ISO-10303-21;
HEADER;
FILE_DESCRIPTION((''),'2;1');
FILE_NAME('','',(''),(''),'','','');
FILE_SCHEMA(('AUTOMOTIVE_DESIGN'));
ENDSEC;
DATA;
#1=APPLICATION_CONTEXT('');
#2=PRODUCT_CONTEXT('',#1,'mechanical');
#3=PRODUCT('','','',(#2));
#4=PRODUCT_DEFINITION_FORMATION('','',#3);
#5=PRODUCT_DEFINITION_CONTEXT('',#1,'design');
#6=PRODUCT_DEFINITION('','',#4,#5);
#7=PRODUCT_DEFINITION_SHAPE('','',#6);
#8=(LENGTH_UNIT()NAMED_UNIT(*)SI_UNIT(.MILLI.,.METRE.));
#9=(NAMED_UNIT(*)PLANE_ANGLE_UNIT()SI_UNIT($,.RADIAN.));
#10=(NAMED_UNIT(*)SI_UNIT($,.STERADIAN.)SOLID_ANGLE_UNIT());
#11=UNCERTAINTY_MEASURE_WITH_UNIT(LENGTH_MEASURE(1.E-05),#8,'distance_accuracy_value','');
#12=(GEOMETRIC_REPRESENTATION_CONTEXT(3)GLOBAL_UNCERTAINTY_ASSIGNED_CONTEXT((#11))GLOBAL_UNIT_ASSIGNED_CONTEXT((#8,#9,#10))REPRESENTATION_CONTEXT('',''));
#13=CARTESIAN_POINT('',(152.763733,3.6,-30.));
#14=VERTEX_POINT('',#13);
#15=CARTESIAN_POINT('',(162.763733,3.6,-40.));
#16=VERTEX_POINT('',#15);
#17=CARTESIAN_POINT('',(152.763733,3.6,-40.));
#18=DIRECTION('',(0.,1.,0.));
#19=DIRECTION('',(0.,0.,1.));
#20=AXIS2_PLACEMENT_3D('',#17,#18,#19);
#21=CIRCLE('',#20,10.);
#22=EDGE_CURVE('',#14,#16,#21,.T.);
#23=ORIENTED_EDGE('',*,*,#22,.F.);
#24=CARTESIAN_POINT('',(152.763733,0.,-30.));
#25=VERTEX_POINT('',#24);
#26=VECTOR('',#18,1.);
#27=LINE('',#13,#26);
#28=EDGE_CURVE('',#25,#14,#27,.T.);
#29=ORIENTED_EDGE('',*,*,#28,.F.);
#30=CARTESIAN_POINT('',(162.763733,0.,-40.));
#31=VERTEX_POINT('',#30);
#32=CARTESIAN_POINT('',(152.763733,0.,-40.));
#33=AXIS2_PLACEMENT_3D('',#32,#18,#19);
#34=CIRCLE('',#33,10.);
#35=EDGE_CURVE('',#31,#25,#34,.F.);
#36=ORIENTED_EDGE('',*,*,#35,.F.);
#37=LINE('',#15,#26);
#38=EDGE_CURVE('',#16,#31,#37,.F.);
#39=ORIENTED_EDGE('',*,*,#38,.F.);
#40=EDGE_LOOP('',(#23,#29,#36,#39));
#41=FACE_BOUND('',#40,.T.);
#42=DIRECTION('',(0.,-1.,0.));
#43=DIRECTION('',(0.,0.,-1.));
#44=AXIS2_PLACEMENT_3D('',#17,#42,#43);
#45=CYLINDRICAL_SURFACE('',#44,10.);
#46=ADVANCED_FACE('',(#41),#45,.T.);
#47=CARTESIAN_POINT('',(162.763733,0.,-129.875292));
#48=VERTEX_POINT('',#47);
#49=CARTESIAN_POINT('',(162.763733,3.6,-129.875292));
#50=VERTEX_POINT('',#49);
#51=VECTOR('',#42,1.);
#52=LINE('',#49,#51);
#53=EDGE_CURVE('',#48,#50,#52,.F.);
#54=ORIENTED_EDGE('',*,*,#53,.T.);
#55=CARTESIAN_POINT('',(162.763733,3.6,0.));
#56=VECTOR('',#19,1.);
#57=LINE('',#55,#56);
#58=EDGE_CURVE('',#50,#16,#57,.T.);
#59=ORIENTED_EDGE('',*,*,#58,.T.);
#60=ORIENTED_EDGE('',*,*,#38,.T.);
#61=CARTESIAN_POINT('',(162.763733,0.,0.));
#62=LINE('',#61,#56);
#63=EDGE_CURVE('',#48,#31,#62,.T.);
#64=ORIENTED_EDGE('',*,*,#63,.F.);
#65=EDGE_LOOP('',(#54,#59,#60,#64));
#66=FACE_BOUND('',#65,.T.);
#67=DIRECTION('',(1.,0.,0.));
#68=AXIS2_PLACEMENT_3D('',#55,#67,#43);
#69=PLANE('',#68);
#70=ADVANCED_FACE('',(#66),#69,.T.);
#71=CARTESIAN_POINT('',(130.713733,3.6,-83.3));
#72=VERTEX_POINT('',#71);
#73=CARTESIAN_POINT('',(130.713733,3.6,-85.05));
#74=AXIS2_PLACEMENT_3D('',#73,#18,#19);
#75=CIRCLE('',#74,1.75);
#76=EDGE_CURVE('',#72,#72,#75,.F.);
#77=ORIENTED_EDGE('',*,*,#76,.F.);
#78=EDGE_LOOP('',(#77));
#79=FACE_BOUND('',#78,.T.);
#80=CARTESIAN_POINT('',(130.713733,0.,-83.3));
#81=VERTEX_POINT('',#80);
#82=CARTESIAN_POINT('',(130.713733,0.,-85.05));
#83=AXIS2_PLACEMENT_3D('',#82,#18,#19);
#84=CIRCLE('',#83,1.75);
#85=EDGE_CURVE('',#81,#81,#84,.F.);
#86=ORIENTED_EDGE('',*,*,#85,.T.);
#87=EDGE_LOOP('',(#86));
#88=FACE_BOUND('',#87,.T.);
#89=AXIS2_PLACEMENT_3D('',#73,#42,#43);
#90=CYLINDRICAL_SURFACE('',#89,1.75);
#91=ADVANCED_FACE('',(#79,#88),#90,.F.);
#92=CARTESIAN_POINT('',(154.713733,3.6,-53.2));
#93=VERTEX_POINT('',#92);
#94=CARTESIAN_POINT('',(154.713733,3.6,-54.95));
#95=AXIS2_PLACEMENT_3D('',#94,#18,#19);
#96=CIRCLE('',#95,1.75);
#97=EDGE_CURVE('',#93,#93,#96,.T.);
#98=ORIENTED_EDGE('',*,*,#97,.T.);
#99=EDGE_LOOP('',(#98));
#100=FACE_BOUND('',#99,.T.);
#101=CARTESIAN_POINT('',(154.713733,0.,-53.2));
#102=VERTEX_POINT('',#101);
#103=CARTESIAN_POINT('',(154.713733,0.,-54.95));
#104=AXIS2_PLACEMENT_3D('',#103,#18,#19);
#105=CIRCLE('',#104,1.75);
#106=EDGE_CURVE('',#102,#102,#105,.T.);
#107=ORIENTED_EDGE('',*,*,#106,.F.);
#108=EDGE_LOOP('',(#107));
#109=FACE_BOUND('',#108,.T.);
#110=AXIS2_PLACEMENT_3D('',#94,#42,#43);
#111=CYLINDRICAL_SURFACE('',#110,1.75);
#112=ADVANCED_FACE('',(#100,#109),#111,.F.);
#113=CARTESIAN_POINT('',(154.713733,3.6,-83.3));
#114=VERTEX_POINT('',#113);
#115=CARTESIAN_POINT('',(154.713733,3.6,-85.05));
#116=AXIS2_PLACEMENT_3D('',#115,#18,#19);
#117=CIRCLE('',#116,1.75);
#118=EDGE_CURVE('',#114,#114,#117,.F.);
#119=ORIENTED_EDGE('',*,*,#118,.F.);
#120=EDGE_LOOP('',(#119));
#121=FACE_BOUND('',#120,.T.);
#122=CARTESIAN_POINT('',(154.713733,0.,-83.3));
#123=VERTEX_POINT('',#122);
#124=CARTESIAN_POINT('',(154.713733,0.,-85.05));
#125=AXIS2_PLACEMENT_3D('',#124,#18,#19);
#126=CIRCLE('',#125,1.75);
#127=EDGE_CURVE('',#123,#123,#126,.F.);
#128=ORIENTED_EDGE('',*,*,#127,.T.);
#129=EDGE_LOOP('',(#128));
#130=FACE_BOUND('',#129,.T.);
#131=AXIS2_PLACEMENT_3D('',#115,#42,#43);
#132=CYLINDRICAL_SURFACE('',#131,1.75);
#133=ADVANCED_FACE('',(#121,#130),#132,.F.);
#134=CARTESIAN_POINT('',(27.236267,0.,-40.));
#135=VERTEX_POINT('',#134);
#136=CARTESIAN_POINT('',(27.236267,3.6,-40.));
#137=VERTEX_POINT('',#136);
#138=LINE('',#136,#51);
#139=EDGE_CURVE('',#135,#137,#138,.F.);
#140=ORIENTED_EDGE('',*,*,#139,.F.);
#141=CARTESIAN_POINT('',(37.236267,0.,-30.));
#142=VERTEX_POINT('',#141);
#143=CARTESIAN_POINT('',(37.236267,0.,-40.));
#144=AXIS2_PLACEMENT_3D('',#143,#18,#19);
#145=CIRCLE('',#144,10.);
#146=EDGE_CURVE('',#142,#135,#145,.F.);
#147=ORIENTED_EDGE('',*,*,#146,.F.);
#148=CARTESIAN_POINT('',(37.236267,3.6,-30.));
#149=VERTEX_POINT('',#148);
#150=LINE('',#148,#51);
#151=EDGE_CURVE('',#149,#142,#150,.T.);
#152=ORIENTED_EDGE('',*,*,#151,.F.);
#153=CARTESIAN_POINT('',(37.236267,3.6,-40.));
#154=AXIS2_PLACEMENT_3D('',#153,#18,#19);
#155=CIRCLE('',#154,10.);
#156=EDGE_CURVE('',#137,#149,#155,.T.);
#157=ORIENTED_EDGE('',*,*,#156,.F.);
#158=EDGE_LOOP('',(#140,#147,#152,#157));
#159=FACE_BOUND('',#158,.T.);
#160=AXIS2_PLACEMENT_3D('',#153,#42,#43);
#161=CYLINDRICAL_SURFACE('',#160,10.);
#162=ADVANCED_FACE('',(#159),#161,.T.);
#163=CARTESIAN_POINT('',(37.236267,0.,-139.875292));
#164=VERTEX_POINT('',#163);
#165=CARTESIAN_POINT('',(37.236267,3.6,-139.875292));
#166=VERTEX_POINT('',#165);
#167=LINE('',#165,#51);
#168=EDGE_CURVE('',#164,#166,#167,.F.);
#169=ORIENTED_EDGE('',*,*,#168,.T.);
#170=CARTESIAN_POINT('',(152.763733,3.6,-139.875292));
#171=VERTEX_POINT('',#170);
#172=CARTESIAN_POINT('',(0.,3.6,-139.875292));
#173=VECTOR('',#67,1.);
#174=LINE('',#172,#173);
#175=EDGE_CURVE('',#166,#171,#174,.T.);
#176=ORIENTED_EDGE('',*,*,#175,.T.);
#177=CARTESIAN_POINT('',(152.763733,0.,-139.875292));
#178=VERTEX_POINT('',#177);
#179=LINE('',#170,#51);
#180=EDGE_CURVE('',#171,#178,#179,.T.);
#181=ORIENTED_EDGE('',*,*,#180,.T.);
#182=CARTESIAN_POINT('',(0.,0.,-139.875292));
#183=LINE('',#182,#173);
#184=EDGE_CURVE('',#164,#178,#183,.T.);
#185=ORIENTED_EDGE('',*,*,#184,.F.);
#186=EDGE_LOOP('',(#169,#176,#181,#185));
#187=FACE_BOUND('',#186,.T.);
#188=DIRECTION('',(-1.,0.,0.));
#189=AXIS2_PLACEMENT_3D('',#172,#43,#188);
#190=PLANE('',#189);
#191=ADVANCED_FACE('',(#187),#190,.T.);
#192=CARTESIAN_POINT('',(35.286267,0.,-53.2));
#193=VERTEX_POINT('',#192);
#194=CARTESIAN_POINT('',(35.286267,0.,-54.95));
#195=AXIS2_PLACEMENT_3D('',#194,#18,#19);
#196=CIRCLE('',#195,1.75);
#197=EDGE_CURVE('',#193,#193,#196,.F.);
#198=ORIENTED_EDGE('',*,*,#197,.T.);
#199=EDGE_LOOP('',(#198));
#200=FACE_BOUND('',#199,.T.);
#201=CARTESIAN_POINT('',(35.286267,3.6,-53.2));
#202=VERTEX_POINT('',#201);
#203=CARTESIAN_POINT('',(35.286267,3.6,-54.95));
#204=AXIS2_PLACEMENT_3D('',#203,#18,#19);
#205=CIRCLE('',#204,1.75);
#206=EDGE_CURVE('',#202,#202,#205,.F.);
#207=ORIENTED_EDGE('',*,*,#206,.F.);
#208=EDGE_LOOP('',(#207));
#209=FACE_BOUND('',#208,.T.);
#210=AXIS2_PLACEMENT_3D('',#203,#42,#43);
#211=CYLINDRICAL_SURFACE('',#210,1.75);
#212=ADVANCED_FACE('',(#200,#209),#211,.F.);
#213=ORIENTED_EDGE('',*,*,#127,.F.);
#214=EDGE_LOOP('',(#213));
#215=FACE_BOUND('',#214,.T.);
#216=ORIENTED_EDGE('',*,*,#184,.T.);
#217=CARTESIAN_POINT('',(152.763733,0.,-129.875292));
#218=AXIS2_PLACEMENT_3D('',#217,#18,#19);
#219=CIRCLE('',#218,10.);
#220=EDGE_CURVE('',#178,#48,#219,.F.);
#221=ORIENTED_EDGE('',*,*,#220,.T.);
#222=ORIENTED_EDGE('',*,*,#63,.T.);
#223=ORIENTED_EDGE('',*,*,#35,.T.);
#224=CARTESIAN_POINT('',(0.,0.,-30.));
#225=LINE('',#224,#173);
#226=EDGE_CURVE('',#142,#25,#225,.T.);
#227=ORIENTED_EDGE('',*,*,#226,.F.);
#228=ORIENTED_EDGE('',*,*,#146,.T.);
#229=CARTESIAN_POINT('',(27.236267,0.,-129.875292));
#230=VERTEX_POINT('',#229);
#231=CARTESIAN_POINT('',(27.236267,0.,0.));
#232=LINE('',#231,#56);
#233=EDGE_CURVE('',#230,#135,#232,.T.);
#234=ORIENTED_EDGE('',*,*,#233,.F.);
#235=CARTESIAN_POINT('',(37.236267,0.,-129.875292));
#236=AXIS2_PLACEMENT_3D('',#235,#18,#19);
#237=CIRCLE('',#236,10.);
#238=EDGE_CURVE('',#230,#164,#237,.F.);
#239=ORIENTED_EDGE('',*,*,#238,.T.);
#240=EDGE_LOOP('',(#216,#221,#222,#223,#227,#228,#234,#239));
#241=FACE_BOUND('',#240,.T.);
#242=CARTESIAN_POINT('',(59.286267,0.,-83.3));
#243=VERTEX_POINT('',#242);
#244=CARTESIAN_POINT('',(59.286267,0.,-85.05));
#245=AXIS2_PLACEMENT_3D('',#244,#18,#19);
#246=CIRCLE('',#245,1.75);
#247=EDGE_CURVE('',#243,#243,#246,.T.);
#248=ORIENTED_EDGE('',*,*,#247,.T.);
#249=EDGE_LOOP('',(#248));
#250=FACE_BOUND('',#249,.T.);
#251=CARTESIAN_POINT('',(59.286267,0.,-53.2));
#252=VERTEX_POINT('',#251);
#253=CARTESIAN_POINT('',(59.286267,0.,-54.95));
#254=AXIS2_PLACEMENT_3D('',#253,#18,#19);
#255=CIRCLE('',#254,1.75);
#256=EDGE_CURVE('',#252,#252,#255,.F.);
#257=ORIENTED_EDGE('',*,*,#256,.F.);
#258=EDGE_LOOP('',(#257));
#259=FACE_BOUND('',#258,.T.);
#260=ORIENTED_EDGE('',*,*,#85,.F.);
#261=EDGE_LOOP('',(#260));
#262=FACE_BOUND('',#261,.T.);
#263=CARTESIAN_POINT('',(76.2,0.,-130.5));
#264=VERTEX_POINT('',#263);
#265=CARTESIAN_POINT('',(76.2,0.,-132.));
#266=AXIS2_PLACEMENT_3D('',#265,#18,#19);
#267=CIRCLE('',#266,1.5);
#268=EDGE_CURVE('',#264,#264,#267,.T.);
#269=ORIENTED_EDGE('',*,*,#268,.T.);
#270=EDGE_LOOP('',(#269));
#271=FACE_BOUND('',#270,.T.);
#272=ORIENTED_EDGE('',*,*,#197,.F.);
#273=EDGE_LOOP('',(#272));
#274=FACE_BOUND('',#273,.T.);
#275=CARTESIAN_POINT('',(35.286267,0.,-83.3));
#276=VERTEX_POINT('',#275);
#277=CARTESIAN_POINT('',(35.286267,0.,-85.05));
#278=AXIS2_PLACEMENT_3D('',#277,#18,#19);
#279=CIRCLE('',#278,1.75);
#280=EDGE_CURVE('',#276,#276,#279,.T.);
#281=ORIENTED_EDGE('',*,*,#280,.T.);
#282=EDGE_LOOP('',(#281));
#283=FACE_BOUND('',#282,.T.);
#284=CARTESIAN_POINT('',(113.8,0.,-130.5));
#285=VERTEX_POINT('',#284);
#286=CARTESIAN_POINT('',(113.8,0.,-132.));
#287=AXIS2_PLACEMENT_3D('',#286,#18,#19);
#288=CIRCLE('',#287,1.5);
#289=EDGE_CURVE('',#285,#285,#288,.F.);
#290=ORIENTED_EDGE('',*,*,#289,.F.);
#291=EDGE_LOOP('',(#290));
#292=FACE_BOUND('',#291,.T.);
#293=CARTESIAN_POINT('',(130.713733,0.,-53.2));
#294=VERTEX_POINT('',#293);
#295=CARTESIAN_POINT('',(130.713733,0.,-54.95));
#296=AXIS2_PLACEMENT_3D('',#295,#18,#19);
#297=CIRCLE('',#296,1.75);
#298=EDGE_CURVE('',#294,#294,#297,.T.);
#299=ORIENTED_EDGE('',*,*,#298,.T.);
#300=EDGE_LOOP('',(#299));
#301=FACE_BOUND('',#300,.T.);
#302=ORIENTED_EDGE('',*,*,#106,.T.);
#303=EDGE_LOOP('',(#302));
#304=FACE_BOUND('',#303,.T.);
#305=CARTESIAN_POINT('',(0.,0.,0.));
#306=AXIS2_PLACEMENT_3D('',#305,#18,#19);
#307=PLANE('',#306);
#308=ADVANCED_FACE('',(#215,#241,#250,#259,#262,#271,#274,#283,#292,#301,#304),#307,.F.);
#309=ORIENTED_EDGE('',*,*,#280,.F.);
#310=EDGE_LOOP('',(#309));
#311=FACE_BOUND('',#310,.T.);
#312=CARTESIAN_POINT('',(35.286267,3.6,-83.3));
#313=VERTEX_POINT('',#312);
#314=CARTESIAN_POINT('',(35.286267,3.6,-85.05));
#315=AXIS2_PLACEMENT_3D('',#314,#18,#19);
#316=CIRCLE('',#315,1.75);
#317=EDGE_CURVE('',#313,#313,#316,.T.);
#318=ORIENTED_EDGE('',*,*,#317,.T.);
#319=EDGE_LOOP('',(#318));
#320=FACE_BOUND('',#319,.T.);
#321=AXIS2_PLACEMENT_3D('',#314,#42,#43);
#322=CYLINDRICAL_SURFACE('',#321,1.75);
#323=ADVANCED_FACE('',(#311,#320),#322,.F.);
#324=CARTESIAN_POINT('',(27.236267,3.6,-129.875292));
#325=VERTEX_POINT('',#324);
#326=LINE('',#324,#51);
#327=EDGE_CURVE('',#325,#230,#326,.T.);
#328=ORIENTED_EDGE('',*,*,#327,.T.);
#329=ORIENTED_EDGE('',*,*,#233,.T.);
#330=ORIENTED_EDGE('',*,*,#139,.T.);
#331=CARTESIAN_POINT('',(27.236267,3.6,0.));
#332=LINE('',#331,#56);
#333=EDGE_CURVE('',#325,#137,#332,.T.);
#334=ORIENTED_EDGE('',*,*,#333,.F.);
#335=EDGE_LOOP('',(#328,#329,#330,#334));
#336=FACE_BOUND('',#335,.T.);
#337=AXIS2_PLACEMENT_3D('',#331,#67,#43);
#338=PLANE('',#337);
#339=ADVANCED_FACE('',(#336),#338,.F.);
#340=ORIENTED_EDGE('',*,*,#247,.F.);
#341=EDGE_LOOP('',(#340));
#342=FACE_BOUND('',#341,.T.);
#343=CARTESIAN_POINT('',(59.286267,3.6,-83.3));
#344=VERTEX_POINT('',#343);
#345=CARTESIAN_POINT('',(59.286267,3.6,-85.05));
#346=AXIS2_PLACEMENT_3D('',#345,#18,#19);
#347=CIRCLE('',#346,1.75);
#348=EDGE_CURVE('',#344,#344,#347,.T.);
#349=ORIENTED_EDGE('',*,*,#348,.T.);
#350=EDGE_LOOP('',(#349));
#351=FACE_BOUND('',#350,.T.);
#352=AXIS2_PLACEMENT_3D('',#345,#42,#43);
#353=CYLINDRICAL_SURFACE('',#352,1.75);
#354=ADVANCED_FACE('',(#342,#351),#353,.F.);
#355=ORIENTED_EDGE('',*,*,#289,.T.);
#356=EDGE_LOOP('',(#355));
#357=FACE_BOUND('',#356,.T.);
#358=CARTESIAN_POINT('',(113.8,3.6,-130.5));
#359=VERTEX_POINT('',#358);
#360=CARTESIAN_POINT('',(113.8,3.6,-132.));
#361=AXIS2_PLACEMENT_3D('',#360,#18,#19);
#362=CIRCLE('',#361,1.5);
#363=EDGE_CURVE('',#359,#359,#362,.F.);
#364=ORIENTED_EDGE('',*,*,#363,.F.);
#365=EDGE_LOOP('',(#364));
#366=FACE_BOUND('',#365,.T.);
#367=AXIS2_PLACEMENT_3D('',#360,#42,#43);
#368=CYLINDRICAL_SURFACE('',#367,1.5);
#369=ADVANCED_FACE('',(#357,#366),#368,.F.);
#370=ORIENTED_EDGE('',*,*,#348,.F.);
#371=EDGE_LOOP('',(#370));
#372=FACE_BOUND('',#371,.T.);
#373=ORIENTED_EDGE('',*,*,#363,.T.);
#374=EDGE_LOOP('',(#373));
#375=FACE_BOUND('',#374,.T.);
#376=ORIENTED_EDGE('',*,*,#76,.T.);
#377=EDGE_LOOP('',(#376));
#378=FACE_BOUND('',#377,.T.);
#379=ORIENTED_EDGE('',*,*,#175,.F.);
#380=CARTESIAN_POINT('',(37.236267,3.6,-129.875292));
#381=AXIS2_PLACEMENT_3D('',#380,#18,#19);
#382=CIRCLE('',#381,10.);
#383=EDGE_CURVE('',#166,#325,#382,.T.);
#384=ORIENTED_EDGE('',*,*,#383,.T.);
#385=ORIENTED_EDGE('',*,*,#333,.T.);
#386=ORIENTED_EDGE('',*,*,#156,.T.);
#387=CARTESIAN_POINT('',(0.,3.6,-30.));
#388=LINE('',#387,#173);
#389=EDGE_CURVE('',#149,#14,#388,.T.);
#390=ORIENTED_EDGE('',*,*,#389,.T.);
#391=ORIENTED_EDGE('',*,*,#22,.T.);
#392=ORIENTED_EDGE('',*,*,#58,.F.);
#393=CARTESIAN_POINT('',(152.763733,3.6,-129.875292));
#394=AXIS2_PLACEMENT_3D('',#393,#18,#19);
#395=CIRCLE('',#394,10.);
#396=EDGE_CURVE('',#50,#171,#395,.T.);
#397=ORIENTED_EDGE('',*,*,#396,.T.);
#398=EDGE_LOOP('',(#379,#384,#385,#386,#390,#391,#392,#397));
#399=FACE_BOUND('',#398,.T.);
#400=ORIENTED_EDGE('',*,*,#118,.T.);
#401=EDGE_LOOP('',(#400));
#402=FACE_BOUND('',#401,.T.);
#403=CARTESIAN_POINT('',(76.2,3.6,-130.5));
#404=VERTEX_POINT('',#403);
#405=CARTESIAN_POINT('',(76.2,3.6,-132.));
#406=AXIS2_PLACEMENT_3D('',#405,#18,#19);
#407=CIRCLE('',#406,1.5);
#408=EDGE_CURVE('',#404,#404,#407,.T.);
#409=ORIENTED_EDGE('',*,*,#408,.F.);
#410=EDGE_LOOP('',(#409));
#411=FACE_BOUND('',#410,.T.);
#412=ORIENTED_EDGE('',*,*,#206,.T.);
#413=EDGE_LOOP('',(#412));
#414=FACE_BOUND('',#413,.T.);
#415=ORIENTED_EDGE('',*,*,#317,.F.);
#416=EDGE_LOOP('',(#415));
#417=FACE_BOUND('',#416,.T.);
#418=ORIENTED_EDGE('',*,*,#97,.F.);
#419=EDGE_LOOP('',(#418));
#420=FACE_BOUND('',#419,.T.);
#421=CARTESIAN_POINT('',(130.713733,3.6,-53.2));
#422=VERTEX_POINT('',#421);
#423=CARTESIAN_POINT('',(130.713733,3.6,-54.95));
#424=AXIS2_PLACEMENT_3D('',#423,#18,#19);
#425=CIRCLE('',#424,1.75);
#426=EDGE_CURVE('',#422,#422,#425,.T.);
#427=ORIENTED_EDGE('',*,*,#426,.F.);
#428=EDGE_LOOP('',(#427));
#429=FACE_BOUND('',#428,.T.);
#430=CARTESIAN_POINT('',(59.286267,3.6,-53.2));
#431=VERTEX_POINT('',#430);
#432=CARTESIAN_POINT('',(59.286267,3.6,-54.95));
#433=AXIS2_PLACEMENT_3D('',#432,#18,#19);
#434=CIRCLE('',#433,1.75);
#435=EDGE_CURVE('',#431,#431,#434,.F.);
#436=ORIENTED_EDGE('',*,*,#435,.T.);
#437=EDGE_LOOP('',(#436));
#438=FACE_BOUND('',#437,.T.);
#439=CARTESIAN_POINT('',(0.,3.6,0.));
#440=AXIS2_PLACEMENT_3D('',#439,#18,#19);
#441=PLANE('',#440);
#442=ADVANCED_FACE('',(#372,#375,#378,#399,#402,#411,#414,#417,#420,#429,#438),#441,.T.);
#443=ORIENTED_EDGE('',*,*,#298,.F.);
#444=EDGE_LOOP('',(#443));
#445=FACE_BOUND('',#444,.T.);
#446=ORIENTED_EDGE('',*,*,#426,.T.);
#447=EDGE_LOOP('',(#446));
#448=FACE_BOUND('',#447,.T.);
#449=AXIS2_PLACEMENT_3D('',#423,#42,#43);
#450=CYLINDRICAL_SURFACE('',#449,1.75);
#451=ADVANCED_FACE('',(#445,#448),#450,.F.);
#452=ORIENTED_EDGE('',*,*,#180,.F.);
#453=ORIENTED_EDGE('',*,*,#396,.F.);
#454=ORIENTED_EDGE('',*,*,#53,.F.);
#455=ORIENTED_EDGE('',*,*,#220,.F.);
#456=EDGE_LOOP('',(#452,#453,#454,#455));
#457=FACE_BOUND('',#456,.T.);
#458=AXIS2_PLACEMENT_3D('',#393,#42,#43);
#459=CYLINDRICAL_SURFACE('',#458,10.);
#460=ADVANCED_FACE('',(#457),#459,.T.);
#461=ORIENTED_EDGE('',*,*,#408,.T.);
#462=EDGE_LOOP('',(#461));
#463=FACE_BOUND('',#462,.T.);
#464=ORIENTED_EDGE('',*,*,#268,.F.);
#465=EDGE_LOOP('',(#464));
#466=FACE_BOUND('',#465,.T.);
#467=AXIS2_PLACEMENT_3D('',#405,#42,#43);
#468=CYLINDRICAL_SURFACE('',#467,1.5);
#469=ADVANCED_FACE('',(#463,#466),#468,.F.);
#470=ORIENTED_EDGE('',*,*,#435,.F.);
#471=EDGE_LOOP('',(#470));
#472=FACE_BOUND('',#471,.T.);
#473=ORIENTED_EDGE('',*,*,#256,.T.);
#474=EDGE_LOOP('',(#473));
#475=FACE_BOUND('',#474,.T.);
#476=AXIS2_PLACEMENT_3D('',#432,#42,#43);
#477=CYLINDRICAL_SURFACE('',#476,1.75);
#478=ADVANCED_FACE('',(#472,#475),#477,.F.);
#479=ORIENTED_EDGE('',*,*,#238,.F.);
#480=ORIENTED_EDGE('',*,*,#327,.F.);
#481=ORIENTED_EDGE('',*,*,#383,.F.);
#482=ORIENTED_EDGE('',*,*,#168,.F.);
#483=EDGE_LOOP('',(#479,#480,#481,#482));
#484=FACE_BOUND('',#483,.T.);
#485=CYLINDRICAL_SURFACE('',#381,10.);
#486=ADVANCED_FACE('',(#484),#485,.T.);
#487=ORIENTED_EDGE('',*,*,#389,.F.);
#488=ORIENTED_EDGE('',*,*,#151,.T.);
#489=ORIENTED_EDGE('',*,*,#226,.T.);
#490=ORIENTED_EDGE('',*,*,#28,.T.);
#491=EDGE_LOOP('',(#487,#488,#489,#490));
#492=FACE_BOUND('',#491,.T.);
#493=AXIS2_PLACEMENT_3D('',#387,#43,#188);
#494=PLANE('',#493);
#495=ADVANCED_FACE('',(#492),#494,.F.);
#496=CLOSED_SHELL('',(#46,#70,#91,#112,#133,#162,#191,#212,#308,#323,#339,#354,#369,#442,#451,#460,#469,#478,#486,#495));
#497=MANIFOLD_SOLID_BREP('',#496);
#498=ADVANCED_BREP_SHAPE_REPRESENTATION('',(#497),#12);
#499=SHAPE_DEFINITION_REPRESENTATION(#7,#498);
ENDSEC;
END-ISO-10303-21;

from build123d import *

# Parameters (mm, degrees)
SKETCH_6_W      = 135.527465206
SKETCH_6_H      = 109.875291841
SKETCH_6_R      = 1.75
SKETCH_6_R_2    = 1.5
EXTRUDE_2_DEPTH = 3.6
FILLET_1_R      = 10
FILLET_2_R      = 10
FILLET_3_R      = 10
FILLET_4_R      = 10


with BuildPart() as part:
    # 草图6 → 凸台-拉伸2 (new body)
    with BuildSketch(Plane(origin=(0, 0, 0), x_dir=(1, 0, 0), z_dir=(0, 1, 0))):
        with Locations((95, 84.937645921)):
            Rectangle(SKETCH_6_W, SKETCH_6_H)
        with Locations((35.286267397, 54.95)):
            Circle(SKETCH_6_R, mode=Mode.SUBTRACT)
        with Locations((59.286267397, 54.95)):
            Circle(SKETCH_6_R, mode=Mode.SUBTRACT)
        with Locations((35.286267397, 85.05)):
            Circle(SKETCH_6_R, mode=Mode.SUBTRACT)
        with Locations((59.286267397, 85.05)):
            Circle(SKETCH_6_R, mode=Mode.SUBTRACT)
        with Locations((76.2, 132)):
            Circle(SKETCH_6_R_2, mode=Mode.SUBTRACT)
        with Locations((113.8, 132)):
            Circle(SKETCH_6_R_2, mode=Mode.SUBTRACT)
        with Locations((130.713732603, 85.05)):
            Circle(SKETCH_6_R, mode=Mode.SUBTRACT)
        with Locations((154.713732603, 54.95)):
            Circle(SKETCH_6_R, mode=Mode.SUBTRACT)
        with Locations((154.713732603, 85.05)):
            Circle(SKETCH_6_R, mode=Mode.SUBTRACT)
        with Locations((130.713732603, 54.95)):
            Circle(SKETCH_6_R, mode=Mode.SUBTRACT)
    extrude(amount=EXTRUDE_2_DEPTH)

    # 圆角1
    fillet_1_edges = [part.edges().sort_by_distance(p)[0] for p in [
        (27.236267397, 1.8, -30),
    ]]
    fillet(fillet_1_edges, radius=FILLET_1_R)

    # 圆角2
    fillet_2_edges = [part.edges().sort_by_distance(p)[0] for p in [
        (27.236267397, 1.8, -139.875291841),
    ]]
    fillet(fillet_2_edges, radius=FILLET_2_R)

    # 圆角3
    fillet_3_edges = [part.edges().sort_by_distance(p)[0] for p in [
        (162.763732603, 1.8, -139.875291841),
    ]]
    fillet(fillet_3_edges, radius=FILLET_3_R)

    # 圆角4
    fillet_4_edges = [part.edges().sort_by_distance(p)[0] for p in [
        (162.763732603, 1.8, -30),
    ]]
    fillet(fillet_4_edges, radius=FILLET_4_R)


solid = part.part
